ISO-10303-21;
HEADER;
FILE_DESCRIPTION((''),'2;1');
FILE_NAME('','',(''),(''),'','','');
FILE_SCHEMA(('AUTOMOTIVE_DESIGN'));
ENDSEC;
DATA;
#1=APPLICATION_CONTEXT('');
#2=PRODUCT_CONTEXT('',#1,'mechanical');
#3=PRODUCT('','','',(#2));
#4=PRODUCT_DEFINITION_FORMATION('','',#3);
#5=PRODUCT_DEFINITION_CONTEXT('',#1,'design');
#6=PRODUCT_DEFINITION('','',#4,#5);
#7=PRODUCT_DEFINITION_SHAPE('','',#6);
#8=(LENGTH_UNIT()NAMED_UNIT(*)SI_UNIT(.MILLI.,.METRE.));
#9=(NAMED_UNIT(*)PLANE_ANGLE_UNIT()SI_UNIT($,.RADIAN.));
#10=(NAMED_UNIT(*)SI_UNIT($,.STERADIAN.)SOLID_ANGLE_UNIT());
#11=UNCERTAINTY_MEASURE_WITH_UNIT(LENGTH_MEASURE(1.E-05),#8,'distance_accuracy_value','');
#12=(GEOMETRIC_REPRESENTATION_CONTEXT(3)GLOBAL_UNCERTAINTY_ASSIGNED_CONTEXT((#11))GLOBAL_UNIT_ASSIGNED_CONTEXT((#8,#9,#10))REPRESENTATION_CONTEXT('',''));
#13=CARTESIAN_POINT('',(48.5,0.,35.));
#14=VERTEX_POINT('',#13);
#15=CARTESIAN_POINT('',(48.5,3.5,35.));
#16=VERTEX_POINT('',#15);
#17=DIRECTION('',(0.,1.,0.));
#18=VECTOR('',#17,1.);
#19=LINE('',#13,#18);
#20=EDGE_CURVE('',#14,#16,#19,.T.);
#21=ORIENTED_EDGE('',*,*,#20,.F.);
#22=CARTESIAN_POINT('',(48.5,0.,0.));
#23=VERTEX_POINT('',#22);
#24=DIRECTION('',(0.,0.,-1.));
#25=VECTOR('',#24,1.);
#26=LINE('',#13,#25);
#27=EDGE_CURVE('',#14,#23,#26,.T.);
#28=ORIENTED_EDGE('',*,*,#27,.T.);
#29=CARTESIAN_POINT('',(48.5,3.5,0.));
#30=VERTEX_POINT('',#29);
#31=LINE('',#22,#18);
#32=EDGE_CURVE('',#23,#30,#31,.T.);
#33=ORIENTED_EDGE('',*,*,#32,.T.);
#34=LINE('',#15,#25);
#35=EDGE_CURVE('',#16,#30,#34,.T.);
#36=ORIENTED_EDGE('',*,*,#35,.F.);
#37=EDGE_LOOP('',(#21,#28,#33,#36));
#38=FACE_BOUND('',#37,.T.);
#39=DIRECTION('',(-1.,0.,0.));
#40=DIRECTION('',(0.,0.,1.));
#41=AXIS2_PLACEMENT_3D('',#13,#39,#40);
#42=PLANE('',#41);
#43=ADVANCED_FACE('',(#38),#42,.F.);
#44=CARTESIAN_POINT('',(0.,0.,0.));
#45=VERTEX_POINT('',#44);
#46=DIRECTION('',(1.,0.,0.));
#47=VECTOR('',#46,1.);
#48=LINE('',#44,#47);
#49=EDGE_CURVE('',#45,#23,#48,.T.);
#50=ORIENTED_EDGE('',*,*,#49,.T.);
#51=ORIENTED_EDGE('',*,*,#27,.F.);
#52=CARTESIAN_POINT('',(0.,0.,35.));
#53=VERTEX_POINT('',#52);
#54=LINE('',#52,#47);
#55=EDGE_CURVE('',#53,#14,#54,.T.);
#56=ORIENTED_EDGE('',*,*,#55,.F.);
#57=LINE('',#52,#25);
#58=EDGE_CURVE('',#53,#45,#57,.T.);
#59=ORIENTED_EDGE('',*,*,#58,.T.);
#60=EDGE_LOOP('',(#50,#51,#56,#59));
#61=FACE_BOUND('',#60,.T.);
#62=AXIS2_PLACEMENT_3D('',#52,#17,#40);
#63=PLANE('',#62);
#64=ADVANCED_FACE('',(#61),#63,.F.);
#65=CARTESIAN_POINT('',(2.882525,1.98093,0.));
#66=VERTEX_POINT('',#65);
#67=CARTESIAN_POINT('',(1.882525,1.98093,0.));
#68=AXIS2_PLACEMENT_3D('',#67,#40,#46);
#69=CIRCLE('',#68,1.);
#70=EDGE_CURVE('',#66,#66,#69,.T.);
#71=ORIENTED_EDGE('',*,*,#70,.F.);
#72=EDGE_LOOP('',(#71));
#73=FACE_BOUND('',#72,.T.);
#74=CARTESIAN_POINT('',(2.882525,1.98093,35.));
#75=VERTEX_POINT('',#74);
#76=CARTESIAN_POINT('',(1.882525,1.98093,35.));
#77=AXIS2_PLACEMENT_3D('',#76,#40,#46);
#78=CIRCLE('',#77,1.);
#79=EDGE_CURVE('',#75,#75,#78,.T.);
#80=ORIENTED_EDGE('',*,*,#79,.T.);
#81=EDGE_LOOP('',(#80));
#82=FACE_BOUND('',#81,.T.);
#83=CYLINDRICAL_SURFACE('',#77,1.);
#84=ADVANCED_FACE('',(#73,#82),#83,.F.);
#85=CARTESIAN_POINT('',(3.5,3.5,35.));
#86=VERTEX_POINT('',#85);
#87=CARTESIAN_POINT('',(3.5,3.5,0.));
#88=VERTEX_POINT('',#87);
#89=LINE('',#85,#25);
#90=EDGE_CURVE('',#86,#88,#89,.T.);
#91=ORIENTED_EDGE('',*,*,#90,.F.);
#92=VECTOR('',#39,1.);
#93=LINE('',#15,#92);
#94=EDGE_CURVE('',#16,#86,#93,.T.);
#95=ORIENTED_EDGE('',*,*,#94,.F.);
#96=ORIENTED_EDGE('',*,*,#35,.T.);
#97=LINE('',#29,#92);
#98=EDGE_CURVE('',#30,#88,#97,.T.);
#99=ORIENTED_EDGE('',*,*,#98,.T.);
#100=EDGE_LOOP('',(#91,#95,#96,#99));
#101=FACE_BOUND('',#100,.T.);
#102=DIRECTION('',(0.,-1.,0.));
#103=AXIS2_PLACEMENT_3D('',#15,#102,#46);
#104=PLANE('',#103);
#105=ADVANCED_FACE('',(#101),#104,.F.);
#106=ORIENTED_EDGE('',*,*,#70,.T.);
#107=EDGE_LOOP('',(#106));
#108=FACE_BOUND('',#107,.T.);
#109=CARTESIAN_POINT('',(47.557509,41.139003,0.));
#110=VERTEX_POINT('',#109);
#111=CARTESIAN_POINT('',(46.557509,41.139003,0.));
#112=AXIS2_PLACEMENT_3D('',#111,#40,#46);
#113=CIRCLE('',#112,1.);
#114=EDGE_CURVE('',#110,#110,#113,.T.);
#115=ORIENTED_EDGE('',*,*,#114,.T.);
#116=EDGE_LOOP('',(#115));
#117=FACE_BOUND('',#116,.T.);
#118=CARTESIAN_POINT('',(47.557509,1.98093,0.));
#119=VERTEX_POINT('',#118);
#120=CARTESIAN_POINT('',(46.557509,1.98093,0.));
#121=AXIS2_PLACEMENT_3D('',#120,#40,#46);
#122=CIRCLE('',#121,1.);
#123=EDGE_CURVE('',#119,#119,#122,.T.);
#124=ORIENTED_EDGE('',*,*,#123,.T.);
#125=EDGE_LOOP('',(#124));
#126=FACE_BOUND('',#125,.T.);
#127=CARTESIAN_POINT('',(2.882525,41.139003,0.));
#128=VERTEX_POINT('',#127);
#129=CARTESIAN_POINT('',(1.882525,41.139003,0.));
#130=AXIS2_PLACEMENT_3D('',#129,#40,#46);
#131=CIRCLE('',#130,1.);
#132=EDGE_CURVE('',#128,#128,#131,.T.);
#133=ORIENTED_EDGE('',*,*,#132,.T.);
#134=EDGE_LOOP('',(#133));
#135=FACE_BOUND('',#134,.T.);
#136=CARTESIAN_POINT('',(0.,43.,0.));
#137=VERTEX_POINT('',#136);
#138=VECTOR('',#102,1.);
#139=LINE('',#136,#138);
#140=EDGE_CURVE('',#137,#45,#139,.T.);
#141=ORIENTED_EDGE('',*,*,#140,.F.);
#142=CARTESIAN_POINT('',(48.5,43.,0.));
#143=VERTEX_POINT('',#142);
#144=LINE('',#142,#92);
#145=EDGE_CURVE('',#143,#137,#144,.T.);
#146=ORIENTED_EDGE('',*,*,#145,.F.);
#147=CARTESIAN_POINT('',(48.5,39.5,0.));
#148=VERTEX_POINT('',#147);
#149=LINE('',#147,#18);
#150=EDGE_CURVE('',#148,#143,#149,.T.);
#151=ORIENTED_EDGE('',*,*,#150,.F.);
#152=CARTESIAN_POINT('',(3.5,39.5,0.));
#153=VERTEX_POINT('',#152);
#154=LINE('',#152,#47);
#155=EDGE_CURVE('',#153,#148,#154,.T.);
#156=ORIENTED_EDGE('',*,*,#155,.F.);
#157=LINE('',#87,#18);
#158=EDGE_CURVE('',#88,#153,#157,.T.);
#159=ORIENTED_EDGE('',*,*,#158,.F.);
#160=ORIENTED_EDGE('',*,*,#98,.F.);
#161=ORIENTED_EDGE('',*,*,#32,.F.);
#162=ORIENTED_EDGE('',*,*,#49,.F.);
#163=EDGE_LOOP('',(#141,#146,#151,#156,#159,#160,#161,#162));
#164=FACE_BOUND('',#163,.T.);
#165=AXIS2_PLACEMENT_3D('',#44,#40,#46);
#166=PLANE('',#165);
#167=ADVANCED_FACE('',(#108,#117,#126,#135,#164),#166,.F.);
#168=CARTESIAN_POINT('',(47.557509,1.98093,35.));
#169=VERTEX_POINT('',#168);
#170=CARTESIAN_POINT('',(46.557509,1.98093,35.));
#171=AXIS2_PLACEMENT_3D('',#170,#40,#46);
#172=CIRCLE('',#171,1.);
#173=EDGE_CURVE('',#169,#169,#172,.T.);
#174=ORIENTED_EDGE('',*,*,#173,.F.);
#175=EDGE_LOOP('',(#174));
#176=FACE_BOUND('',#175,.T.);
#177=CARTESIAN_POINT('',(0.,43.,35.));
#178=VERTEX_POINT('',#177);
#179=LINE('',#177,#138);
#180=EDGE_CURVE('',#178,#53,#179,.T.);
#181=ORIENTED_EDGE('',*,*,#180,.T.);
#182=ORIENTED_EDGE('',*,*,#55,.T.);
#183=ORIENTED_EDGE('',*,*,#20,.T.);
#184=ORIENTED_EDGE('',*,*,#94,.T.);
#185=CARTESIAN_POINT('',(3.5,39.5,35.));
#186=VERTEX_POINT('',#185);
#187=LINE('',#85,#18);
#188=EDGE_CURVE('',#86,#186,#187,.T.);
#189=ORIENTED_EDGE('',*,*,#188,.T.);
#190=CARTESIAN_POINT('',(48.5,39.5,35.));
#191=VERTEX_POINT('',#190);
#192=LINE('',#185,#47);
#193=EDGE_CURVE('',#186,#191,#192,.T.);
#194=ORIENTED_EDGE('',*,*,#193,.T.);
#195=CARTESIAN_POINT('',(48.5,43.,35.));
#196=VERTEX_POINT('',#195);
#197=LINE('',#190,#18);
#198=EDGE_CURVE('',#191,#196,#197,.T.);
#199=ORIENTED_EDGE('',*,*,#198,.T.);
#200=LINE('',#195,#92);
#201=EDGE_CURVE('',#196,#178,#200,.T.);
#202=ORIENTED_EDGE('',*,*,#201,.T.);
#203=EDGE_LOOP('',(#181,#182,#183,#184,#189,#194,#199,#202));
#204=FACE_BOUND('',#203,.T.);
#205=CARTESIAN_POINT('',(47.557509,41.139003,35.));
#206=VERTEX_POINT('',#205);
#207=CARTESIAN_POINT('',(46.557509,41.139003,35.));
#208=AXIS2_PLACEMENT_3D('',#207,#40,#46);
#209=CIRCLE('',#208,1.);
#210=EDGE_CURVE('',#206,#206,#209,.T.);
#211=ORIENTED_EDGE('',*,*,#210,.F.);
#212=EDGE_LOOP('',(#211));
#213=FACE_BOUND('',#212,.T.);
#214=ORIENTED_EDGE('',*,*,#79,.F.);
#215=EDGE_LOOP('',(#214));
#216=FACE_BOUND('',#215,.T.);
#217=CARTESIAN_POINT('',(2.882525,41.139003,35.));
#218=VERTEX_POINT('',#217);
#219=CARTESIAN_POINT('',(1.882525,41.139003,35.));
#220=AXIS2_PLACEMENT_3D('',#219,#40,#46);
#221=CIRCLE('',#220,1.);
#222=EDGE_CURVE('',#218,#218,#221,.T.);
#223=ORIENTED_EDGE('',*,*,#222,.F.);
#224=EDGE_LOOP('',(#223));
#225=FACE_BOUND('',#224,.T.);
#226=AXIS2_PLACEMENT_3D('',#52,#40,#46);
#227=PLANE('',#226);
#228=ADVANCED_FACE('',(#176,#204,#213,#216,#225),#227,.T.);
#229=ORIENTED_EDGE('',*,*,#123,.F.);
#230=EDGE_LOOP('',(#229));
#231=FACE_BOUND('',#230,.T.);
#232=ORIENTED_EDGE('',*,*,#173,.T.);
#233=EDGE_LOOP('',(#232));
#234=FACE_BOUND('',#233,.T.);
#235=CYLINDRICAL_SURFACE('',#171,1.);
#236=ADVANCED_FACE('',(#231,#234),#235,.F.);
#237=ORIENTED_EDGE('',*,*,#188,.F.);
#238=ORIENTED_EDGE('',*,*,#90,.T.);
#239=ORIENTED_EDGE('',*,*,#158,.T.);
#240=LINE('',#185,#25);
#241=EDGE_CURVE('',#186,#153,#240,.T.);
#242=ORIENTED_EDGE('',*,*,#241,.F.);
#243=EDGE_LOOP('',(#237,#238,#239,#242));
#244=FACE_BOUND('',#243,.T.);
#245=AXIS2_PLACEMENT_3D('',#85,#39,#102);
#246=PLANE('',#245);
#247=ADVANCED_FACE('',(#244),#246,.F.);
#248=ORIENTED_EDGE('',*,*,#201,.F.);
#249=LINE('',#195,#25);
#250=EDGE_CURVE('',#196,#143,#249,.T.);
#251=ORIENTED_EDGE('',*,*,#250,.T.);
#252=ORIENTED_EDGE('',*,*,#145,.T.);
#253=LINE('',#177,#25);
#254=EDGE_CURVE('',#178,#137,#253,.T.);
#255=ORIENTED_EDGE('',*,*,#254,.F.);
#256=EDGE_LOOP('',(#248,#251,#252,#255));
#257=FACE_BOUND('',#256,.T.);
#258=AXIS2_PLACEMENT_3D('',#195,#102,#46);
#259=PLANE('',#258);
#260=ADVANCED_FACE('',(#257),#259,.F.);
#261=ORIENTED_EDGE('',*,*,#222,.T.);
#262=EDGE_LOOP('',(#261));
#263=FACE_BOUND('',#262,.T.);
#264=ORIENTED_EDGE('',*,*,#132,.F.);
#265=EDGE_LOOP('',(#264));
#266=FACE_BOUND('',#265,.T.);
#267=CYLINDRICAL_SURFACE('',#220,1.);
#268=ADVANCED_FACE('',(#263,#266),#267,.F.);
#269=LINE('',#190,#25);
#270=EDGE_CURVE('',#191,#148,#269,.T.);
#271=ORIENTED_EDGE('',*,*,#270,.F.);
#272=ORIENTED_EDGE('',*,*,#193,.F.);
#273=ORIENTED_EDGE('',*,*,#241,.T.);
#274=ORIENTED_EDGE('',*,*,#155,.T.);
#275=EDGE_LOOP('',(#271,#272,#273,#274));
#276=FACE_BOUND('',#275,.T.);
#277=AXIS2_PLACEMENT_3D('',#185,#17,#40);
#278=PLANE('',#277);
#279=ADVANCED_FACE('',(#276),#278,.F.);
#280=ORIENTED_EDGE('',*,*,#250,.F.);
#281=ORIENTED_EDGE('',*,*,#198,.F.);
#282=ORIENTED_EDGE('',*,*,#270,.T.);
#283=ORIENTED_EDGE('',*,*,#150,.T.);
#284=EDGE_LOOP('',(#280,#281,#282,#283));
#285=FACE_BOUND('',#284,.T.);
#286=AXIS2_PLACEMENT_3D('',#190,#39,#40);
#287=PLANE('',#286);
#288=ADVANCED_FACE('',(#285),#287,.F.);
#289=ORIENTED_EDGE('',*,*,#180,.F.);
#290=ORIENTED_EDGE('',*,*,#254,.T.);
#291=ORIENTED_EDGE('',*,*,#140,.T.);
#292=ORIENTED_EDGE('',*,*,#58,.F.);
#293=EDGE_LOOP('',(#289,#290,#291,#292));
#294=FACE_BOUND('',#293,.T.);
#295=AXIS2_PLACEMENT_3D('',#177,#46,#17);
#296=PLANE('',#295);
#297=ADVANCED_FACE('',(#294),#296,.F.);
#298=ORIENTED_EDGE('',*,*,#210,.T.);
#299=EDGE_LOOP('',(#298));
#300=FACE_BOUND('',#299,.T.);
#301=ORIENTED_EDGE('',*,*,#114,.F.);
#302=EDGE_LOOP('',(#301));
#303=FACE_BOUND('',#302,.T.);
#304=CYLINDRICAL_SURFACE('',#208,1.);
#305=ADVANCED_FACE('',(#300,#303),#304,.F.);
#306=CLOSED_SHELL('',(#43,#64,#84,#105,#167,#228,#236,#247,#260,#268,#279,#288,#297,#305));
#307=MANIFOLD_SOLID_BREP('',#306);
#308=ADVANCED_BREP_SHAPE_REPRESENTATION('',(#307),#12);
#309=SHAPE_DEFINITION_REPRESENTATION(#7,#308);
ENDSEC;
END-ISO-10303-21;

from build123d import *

# Parameters (mm, degrees)
BOSS_EXTRUDE1_DEPTH   = 35
F_2_0MM_DOWEL_HOLE1_D = 2


with BuildPart() as part:
    # Sketch2 → Boss-Extrude1 (new body)
    with BuildSketch(Plane.XY):
        Polygon((0, 0), (48.5, 0), (48.5, 3.5), (3.5, 3.5), (3.5, 39.5), (48.5, 39.5), (48.5, 43), (0, 43), align=None)
    extrude(amount=BOSS_EXTRUDE1_DEPTH)

    # Ø2.0mm Dowel Hole1 (through all)
    with Locations(Plane.XY.offset(35)):
        with Locations((46.557508768, 1.980929828), (1.882524811, 1.980929828), (1.882524811, 41.139003015), (46.557508768, 41.139003015)):
            Hole(F_2_0MM_DOWEL_HOLE1_D / 2)


solid = part.part
